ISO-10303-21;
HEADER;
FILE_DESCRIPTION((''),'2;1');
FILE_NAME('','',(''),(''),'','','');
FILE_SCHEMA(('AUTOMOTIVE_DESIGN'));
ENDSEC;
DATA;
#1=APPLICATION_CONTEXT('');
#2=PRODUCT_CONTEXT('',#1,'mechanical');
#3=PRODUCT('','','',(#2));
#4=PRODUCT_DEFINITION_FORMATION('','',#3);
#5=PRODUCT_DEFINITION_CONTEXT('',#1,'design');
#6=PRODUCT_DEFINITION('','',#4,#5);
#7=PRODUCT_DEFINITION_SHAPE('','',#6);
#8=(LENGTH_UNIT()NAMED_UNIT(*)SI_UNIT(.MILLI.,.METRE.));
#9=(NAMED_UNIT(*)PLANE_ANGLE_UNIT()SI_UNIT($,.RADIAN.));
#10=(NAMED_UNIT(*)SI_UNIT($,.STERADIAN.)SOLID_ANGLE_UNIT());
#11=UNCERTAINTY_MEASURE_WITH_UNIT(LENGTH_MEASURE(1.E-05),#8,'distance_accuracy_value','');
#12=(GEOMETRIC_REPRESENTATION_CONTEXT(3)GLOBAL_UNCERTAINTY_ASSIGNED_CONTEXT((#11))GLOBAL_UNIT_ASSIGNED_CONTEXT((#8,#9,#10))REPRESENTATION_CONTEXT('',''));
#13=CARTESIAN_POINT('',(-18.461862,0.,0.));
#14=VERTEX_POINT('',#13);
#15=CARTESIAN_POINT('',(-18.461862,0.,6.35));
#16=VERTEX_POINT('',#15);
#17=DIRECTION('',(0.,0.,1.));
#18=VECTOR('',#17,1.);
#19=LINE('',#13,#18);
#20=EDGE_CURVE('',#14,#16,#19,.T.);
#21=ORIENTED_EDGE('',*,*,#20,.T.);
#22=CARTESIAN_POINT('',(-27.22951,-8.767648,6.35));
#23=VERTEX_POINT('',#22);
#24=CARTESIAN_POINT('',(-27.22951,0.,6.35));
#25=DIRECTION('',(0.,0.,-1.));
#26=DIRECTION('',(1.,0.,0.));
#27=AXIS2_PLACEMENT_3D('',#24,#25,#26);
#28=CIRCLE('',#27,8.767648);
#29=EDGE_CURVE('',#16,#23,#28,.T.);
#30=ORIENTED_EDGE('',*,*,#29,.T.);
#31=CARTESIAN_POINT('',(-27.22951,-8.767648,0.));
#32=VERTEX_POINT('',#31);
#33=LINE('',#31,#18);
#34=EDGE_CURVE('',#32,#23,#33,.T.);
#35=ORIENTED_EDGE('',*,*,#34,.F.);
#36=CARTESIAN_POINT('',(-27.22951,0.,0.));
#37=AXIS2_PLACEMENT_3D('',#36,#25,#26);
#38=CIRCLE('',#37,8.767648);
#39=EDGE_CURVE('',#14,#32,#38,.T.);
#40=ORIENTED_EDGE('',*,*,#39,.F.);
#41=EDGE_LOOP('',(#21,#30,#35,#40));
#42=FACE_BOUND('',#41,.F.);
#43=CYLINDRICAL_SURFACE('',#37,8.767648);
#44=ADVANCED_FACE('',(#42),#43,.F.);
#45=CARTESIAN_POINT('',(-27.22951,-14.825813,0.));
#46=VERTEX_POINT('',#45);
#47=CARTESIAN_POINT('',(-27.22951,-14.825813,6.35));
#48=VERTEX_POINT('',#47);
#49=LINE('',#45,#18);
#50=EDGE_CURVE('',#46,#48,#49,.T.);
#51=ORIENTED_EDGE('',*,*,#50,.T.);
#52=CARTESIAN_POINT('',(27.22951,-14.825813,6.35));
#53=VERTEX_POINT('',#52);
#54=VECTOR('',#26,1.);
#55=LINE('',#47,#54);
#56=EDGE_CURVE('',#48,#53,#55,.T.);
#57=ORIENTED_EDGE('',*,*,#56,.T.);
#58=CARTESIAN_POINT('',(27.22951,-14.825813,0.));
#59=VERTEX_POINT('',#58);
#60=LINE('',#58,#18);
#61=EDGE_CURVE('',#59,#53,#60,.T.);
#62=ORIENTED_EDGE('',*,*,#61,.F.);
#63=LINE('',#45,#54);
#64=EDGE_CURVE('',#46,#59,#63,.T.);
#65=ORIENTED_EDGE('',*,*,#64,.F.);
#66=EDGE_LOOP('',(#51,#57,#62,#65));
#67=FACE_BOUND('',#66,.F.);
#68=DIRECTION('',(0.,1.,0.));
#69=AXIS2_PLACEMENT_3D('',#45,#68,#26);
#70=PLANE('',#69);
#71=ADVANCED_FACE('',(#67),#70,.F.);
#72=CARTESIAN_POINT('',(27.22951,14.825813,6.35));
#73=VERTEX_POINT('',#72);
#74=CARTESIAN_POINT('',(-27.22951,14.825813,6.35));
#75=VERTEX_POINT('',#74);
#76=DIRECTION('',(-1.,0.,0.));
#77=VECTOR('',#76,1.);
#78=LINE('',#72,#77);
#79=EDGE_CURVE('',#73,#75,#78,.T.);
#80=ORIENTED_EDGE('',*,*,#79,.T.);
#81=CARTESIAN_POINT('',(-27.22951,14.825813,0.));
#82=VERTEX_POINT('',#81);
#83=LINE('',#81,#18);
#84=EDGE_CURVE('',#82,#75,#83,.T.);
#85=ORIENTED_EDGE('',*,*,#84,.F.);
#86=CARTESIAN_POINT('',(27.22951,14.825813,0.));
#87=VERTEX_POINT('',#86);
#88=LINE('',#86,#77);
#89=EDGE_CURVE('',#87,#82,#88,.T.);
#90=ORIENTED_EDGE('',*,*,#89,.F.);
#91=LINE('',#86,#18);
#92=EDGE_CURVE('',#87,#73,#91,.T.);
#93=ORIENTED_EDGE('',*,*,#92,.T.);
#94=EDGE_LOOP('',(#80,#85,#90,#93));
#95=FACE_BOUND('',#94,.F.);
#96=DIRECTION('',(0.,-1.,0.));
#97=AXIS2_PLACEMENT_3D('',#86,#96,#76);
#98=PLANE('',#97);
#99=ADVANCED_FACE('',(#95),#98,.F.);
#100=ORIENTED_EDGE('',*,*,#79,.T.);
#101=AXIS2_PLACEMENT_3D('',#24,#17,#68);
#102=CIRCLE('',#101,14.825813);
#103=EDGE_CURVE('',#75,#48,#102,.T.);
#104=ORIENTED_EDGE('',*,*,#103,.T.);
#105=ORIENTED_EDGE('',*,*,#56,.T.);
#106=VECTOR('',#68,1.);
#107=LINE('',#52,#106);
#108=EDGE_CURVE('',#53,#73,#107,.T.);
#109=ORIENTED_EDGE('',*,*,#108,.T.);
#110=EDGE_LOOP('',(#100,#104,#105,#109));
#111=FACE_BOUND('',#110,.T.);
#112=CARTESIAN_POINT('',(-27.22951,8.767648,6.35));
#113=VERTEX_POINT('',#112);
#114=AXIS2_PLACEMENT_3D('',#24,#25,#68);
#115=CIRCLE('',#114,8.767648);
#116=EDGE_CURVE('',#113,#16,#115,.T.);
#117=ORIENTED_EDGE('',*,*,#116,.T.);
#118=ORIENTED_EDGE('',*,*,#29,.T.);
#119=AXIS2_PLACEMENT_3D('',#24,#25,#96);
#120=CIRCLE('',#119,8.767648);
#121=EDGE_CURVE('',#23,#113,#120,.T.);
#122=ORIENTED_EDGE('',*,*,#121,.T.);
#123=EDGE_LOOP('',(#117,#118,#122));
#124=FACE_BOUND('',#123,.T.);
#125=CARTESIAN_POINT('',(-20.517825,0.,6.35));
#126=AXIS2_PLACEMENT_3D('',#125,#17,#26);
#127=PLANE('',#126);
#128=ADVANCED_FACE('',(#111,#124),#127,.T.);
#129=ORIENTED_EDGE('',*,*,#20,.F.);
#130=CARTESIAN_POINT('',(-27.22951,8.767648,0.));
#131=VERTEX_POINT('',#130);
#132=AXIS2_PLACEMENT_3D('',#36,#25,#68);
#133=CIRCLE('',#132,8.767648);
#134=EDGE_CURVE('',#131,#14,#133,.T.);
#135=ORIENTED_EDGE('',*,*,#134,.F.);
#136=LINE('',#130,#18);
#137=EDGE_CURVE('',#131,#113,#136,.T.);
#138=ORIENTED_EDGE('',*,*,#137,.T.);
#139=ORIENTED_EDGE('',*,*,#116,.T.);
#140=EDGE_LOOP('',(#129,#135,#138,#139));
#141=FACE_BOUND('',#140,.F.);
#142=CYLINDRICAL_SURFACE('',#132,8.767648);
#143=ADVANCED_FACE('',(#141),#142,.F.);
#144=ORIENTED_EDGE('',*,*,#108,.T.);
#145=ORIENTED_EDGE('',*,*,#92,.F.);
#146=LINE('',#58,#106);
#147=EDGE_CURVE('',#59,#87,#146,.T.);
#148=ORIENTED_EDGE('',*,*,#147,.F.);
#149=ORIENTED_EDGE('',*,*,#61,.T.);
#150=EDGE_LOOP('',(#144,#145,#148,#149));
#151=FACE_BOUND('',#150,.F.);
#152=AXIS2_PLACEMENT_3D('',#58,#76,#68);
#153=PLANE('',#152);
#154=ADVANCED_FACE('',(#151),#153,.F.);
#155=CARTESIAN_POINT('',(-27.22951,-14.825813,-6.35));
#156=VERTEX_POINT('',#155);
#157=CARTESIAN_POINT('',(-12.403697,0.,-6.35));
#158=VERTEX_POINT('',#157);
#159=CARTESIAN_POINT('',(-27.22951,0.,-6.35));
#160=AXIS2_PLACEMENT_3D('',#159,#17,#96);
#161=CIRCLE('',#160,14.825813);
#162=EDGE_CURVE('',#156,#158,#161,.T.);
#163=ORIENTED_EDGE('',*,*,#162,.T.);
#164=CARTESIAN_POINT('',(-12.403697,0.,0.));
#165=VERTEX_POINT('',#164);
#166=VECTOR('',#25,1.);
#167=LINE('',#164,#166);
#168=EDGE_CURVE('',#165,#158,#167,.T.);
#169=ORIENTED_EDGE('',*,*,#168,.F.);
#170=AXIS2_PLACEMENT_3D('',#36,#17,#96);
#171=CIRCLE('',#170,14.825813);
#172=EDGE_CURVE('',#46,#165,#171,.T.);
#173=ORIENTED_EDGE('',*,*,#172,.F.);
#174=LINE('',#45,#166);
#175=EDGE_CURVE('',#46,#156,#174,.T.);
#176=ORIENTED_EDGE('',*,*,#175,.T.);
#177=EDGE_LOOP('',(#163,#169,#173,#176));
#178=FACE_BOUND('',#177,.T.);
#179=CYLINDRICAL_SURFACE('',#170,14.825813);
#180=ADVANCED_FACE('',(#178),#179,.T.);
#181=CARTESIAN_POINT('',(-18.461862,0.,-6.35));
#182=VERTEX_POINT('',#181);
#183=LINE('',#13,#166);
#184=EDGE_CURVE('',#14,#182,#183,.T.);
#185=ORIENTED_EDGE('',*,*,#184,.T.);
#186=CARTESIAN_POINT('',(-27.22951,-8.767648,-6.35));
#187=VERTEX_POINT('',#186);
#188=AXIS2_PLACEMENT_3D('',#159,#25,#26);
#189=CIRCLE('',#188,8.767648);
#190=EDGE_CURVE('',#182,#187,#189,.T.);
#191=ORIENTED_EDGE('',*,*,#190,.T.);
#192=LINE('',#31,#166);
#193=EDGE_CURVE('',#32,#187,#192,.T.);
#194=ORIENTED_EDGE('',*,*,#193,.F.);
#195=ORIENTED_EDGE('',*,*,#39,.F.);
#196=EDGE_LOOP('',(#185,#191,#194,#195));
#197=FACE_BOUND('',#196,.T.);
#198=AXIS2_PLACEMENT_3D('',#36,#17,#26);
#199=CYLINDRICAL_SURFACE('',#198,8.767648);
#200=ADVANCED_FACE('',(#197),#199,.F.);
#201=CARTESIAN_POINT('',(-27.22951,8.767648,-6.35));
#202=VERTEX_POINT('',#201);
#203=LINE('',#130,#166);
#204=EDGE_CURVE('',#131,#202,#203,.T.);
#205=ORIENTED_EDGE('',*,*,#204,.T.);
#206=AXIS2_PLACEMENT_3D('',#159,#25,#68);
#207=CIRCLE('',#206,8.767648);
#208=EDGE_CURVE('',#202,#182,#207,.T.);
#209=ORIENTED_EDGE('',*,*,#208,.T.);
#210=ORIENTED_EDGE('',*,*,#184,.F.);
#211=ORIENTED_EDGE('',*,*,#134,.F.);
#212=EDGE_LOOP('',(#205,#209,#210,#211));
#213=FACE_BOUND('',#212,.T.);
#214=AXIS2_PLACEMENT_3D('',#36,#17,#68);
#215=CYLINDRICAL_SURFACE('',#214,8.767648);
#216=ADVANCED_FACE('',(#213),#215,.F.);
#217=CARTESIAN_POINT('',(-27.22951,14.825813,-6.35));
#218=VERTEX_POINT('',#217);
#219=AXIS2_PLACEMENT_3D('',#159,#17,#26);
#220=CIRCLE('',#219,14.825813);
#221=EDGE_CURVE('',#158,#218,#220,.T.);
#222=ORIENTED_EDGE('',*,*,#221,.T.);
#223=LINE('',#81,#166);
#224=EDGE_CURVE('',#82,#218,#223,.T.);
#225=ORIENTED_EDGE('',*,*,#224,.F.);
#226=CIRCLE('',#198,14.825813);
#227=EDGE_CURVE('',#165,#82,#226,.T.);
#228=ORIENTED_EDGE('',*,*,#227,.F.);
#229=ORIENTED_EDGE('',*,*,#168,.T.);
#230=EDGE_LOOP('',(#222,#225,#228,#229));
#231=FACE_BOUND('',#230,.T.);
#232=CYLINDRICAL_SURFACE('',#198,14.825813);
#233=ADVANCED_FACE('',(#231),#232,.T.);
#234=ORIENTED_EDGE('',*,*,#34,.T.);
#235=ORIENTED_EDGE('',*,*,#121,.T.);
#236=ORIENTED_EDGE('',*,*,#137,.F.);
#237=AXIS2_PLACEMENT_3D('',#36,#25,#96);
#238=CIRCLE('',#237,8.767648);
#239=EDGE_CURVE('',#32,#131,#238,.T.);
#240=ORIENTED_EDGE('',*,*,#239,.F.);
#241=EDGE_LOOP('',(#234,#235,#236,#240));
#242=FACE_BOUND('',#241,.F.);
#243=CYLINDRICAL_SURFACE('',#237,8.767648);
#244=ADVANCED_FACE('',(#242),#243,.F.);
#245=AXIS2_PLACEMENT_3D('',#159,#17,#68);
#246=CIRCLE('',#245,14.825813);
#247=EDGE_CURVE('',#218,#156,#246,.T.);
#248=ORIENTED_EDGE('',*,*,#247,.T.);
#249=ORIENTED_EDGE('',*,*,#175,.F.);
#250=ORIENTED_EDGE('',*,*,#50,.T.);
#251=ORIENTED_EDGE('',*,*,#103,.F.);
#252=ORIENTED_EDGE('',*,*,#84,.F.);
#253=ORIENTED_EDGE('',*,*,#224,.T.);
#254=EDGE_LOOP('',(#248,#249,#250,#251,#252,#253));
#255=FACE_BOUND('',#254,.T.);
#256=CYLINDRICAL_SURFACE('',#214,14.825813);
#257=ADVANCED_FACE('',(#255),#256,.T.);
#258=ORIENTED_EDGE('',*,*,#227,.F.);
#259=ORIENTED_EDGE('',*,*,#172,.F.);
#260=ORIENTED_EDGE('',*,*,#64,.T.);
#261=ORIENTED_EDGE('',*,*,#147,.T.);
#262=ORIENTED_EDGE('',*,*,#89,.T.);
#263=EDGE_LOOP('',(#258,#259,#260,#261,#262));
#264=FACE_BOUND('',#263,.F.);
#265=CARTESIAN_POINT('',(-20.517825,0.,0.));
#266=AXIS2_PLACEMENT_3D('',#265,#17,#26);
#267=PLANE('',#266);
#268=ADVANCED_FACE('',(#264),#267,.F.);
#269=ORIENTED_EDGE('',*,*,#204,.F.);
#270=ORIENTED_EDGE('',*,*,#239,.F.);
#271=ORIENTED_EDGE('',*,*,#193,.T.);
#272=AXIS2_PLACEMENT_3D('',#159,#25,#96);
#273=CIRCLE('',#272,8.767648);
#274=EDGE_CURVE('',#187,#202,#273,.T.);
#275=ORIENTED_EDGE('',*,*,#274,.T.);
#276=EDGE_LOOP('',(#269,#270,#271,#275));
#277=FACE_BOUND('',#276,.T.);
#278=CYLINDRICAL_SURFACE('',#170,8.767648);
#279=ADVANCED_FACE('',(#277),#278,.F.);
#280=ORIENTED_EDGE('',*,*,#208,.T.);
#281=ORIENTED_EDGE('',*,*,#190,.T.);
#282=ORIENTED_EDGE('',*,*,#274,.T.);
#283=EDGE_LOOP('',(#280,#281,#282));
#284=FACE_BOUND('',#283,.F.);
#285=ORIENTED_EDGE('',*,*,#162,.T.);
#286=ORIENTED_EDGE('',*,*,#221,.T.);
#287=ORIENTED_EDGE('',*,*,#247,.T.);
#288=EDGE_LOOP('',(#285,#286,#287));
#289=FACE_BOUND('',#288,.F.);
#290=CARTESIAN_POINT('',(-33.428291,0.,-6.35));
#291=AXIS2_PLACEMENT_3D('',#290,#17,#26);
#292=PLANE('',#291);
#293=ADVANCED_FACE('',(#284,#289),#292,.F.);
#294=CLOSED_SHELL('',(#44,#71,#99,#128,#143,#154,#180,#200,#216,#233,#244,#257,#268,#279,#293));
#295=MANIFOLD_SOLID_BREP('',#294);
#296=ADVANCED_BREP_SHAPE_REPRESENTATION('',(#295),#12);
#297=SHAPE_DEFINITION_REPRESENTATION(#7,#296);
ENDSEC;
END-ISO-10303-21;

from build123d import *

# Parameters (mm, degrees)
F1_DEPTH = 6.35
F2_DEPTH = 6.35


with BuildPart() as f1:
    # F0 (on Top) → F1 (new body)
    with BuildSketch(Plane.XY):
        with BuildLine():
            ThreePointArc((-12.4036967908, 0), (-16.7460770157, 10.483433232), (-27.2295102477, 14.8258134569))
            Line((-27.2295102477, 14.8258134569), (-27.2295102477, 8.7676478071))
            ThreePointArc((-27.2295102477, 8.7676478071), (-21.0298470283, 6.1996632194), (-18.4618624406, 0))
            ThreePointArc((-18.4618624406, 0), (-21.0298470283, -6.1996632194), (-27.2295102477, -8.7676478071))
            Line((-27.2295102477, -8.7676478071), (-27.2295102477, -14.8258134569))
            ThreePointArc((-27.2295102477, -14.8258134569), (-16.7460770157, -10.483433232), (-12.4036967908, 0))
        make_face()
        with BuildLine():
            Line((27.2295102477, 14.8258134569), (-27.2295102477, 14.8258134569))
            ThreePointArc((-27.2295102477, 14.8258134569), (-16.7460770157, 10.483433232), (-12.4036967908, 0))
            ThreePointArc((-12.4036967908, 0), (-16.7460770157, -10.483433232), (-27.2295102477, -14.8258134569))
            Line((-27.2295102477, -14.8258134569), (27.2295102477, -14.8258134569))
            Line((27.2295102477, -14.8258134569), (27.2295102477, 14.8258134569))
        make_face()
        with BuildLine():
            Line((-27.2295102477, 8.7676478071), (-27.2295102477, 14.8258134569))
            ThreePointArc((-27.2295102477, 14.8258134569), (-42.0553237046, 0), (-27.2295102477, -14.8258134569))
            Line((-27.2295102477, -14.8258134569), (-27.2295102477, -8.7676478071))
            ThreePointArc((-27.2295102477, -8.7676478071), (-35.9971580548, 0), (-27.2295102477, 8.7676478071))
        make_face()
    extrude(amount=F1_DEPTH)

    # F0 (on Top) → F2 (join)
    with BuildSketch(Plane.XY):
        with BuildLine():
            Line((-27.2295102477, 8.7676478071), (-27.2295102477, 14.8258134569))
            ThreePointArc((-27.2295102477, 14.8258134569), (-42.0553237046, 0), (-27.2295102477, -14.8258134569))
            Line((-27.2295102477, -14.8258134569), (-27.2295102477, -8.7676478071))
            ThreePointArc((-27.2295102477, -8.7676478071), (-35.9971580548, 0), (-27.2295102477, 8.7676478071))
        make_face()
        with BuildLine():
            ThreePointArc((-12.4036967908, 0), (-16.7460770157, 10.483433232), (-27.2295102477, 14.8258134569))
            Line((-27.2295102477, 14.8258134569), (-27.2295102477, 8.7676478071))
            ThreePointArc((-27.2295102477, 8.7676478071), (-21.0298470283, 6.1996632194), (-18.4618624406, 0))
            ThreePointArc((-18.4618624406, 0), (-21.0298470283, -6.1996632194), (-27.2295102477, -8.7676478071))
            Line((-27.2295102477, -8.7676478071), (-27.2295102477, -14.8258134569))
            ThreePointArc((-27.2295102477, -14.8258134569), (-16.7460770157, -10.483433232), (-12.4036967908, 0))
        make_face()
    extrude(amount=-F2_DEPTH)


solid = f1.part
